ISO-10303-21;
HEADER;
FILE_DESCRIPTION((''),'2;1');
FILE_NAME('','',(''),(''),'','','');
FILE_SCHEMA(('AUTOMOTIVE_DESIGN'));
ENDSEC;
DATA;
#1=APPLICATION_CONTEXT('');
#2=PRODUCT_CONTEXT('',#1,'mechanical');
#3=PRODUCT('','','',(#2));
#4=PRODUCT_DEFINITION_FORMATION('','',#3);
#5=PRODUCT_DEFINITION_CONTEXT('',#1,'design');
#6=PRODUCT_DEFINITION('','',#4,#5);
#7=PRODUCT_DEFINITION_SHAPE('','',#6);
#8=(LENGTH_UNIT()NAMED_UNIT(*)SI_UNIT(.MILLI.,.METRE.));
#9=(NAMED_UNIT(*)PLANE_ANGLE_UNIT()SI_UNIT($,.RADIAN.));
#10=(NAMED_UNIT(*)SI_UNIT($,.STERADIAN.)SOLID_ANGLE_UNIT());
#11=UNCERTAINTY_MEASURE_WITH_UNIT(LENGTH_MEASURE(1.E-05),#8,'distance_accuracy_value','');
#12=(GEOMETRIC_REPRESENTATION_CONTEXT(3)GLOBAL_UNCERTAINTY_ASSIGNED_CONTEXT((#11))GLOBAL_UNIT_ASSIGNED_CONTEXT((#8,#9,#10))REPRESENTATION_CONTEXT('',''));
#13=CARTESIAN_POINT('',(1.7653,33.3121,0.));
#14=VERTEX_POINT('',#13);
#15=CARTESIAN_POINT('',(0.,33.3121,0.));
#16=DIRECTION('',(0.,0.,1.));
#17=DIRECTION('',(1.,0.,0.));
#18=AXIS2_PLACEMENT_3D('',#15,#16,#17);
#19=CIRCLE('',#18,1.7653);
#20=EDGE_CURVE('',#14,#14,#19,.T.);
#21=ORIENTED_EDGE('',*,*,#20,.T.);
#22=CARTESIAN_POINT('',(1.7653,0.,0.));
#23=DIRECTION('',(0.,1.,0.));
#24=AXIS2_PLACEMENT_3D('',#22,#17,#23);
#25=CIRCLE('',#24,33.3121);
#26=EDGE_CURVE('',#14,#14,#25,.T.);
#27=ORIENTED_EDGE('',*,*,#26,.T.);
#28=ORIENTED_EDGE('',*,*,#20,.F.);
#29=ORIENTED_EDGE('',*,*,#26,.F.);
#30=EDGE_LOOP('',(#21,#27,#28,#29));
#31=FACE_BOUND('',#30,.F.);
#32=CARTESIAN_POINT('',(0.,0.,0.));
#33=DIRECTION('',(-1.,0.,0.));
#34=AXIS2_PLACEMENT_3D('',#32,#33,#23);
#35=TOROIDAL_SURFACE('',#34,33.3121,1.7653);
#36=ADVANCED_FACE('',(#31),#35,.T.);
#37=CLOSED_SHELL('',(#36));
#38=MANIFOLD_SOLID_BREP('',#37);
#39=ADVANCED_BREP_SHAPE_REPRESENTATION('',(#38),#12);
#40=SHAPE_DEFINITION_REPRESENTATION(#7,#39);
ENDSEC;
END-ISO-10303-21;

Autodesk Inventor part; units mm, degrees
ref_plane "YZ Plane" through (0, 0, 0) normal (1, 0, 0) x (0, 1, 0)
ref_plane "XZ Plane" through (0, 0, 0) normal (0, 1, 0) x (-1, 0, 0)
ref_plane "XY Plane" through (0, 0, 0) normal (0, 0, 1) x (1, 0, 0)
sketch "Sketch1" plane through (0, 0, 0) normal (0, 0, 1) x (1, 0, 0)
  circle A0 centre (0, 33.3121) radius 1.7653
  line L0 (0, 0) -> (4.7625, 0)
  dimension "d0" = 3.5306
  dimension "d3" = 63.0936
revolve "Revolution1" add sketch "Sketch1" angle 360 about axis through (0, 0, 0) along (1, 0, 0)
properties part number "O-RING"
